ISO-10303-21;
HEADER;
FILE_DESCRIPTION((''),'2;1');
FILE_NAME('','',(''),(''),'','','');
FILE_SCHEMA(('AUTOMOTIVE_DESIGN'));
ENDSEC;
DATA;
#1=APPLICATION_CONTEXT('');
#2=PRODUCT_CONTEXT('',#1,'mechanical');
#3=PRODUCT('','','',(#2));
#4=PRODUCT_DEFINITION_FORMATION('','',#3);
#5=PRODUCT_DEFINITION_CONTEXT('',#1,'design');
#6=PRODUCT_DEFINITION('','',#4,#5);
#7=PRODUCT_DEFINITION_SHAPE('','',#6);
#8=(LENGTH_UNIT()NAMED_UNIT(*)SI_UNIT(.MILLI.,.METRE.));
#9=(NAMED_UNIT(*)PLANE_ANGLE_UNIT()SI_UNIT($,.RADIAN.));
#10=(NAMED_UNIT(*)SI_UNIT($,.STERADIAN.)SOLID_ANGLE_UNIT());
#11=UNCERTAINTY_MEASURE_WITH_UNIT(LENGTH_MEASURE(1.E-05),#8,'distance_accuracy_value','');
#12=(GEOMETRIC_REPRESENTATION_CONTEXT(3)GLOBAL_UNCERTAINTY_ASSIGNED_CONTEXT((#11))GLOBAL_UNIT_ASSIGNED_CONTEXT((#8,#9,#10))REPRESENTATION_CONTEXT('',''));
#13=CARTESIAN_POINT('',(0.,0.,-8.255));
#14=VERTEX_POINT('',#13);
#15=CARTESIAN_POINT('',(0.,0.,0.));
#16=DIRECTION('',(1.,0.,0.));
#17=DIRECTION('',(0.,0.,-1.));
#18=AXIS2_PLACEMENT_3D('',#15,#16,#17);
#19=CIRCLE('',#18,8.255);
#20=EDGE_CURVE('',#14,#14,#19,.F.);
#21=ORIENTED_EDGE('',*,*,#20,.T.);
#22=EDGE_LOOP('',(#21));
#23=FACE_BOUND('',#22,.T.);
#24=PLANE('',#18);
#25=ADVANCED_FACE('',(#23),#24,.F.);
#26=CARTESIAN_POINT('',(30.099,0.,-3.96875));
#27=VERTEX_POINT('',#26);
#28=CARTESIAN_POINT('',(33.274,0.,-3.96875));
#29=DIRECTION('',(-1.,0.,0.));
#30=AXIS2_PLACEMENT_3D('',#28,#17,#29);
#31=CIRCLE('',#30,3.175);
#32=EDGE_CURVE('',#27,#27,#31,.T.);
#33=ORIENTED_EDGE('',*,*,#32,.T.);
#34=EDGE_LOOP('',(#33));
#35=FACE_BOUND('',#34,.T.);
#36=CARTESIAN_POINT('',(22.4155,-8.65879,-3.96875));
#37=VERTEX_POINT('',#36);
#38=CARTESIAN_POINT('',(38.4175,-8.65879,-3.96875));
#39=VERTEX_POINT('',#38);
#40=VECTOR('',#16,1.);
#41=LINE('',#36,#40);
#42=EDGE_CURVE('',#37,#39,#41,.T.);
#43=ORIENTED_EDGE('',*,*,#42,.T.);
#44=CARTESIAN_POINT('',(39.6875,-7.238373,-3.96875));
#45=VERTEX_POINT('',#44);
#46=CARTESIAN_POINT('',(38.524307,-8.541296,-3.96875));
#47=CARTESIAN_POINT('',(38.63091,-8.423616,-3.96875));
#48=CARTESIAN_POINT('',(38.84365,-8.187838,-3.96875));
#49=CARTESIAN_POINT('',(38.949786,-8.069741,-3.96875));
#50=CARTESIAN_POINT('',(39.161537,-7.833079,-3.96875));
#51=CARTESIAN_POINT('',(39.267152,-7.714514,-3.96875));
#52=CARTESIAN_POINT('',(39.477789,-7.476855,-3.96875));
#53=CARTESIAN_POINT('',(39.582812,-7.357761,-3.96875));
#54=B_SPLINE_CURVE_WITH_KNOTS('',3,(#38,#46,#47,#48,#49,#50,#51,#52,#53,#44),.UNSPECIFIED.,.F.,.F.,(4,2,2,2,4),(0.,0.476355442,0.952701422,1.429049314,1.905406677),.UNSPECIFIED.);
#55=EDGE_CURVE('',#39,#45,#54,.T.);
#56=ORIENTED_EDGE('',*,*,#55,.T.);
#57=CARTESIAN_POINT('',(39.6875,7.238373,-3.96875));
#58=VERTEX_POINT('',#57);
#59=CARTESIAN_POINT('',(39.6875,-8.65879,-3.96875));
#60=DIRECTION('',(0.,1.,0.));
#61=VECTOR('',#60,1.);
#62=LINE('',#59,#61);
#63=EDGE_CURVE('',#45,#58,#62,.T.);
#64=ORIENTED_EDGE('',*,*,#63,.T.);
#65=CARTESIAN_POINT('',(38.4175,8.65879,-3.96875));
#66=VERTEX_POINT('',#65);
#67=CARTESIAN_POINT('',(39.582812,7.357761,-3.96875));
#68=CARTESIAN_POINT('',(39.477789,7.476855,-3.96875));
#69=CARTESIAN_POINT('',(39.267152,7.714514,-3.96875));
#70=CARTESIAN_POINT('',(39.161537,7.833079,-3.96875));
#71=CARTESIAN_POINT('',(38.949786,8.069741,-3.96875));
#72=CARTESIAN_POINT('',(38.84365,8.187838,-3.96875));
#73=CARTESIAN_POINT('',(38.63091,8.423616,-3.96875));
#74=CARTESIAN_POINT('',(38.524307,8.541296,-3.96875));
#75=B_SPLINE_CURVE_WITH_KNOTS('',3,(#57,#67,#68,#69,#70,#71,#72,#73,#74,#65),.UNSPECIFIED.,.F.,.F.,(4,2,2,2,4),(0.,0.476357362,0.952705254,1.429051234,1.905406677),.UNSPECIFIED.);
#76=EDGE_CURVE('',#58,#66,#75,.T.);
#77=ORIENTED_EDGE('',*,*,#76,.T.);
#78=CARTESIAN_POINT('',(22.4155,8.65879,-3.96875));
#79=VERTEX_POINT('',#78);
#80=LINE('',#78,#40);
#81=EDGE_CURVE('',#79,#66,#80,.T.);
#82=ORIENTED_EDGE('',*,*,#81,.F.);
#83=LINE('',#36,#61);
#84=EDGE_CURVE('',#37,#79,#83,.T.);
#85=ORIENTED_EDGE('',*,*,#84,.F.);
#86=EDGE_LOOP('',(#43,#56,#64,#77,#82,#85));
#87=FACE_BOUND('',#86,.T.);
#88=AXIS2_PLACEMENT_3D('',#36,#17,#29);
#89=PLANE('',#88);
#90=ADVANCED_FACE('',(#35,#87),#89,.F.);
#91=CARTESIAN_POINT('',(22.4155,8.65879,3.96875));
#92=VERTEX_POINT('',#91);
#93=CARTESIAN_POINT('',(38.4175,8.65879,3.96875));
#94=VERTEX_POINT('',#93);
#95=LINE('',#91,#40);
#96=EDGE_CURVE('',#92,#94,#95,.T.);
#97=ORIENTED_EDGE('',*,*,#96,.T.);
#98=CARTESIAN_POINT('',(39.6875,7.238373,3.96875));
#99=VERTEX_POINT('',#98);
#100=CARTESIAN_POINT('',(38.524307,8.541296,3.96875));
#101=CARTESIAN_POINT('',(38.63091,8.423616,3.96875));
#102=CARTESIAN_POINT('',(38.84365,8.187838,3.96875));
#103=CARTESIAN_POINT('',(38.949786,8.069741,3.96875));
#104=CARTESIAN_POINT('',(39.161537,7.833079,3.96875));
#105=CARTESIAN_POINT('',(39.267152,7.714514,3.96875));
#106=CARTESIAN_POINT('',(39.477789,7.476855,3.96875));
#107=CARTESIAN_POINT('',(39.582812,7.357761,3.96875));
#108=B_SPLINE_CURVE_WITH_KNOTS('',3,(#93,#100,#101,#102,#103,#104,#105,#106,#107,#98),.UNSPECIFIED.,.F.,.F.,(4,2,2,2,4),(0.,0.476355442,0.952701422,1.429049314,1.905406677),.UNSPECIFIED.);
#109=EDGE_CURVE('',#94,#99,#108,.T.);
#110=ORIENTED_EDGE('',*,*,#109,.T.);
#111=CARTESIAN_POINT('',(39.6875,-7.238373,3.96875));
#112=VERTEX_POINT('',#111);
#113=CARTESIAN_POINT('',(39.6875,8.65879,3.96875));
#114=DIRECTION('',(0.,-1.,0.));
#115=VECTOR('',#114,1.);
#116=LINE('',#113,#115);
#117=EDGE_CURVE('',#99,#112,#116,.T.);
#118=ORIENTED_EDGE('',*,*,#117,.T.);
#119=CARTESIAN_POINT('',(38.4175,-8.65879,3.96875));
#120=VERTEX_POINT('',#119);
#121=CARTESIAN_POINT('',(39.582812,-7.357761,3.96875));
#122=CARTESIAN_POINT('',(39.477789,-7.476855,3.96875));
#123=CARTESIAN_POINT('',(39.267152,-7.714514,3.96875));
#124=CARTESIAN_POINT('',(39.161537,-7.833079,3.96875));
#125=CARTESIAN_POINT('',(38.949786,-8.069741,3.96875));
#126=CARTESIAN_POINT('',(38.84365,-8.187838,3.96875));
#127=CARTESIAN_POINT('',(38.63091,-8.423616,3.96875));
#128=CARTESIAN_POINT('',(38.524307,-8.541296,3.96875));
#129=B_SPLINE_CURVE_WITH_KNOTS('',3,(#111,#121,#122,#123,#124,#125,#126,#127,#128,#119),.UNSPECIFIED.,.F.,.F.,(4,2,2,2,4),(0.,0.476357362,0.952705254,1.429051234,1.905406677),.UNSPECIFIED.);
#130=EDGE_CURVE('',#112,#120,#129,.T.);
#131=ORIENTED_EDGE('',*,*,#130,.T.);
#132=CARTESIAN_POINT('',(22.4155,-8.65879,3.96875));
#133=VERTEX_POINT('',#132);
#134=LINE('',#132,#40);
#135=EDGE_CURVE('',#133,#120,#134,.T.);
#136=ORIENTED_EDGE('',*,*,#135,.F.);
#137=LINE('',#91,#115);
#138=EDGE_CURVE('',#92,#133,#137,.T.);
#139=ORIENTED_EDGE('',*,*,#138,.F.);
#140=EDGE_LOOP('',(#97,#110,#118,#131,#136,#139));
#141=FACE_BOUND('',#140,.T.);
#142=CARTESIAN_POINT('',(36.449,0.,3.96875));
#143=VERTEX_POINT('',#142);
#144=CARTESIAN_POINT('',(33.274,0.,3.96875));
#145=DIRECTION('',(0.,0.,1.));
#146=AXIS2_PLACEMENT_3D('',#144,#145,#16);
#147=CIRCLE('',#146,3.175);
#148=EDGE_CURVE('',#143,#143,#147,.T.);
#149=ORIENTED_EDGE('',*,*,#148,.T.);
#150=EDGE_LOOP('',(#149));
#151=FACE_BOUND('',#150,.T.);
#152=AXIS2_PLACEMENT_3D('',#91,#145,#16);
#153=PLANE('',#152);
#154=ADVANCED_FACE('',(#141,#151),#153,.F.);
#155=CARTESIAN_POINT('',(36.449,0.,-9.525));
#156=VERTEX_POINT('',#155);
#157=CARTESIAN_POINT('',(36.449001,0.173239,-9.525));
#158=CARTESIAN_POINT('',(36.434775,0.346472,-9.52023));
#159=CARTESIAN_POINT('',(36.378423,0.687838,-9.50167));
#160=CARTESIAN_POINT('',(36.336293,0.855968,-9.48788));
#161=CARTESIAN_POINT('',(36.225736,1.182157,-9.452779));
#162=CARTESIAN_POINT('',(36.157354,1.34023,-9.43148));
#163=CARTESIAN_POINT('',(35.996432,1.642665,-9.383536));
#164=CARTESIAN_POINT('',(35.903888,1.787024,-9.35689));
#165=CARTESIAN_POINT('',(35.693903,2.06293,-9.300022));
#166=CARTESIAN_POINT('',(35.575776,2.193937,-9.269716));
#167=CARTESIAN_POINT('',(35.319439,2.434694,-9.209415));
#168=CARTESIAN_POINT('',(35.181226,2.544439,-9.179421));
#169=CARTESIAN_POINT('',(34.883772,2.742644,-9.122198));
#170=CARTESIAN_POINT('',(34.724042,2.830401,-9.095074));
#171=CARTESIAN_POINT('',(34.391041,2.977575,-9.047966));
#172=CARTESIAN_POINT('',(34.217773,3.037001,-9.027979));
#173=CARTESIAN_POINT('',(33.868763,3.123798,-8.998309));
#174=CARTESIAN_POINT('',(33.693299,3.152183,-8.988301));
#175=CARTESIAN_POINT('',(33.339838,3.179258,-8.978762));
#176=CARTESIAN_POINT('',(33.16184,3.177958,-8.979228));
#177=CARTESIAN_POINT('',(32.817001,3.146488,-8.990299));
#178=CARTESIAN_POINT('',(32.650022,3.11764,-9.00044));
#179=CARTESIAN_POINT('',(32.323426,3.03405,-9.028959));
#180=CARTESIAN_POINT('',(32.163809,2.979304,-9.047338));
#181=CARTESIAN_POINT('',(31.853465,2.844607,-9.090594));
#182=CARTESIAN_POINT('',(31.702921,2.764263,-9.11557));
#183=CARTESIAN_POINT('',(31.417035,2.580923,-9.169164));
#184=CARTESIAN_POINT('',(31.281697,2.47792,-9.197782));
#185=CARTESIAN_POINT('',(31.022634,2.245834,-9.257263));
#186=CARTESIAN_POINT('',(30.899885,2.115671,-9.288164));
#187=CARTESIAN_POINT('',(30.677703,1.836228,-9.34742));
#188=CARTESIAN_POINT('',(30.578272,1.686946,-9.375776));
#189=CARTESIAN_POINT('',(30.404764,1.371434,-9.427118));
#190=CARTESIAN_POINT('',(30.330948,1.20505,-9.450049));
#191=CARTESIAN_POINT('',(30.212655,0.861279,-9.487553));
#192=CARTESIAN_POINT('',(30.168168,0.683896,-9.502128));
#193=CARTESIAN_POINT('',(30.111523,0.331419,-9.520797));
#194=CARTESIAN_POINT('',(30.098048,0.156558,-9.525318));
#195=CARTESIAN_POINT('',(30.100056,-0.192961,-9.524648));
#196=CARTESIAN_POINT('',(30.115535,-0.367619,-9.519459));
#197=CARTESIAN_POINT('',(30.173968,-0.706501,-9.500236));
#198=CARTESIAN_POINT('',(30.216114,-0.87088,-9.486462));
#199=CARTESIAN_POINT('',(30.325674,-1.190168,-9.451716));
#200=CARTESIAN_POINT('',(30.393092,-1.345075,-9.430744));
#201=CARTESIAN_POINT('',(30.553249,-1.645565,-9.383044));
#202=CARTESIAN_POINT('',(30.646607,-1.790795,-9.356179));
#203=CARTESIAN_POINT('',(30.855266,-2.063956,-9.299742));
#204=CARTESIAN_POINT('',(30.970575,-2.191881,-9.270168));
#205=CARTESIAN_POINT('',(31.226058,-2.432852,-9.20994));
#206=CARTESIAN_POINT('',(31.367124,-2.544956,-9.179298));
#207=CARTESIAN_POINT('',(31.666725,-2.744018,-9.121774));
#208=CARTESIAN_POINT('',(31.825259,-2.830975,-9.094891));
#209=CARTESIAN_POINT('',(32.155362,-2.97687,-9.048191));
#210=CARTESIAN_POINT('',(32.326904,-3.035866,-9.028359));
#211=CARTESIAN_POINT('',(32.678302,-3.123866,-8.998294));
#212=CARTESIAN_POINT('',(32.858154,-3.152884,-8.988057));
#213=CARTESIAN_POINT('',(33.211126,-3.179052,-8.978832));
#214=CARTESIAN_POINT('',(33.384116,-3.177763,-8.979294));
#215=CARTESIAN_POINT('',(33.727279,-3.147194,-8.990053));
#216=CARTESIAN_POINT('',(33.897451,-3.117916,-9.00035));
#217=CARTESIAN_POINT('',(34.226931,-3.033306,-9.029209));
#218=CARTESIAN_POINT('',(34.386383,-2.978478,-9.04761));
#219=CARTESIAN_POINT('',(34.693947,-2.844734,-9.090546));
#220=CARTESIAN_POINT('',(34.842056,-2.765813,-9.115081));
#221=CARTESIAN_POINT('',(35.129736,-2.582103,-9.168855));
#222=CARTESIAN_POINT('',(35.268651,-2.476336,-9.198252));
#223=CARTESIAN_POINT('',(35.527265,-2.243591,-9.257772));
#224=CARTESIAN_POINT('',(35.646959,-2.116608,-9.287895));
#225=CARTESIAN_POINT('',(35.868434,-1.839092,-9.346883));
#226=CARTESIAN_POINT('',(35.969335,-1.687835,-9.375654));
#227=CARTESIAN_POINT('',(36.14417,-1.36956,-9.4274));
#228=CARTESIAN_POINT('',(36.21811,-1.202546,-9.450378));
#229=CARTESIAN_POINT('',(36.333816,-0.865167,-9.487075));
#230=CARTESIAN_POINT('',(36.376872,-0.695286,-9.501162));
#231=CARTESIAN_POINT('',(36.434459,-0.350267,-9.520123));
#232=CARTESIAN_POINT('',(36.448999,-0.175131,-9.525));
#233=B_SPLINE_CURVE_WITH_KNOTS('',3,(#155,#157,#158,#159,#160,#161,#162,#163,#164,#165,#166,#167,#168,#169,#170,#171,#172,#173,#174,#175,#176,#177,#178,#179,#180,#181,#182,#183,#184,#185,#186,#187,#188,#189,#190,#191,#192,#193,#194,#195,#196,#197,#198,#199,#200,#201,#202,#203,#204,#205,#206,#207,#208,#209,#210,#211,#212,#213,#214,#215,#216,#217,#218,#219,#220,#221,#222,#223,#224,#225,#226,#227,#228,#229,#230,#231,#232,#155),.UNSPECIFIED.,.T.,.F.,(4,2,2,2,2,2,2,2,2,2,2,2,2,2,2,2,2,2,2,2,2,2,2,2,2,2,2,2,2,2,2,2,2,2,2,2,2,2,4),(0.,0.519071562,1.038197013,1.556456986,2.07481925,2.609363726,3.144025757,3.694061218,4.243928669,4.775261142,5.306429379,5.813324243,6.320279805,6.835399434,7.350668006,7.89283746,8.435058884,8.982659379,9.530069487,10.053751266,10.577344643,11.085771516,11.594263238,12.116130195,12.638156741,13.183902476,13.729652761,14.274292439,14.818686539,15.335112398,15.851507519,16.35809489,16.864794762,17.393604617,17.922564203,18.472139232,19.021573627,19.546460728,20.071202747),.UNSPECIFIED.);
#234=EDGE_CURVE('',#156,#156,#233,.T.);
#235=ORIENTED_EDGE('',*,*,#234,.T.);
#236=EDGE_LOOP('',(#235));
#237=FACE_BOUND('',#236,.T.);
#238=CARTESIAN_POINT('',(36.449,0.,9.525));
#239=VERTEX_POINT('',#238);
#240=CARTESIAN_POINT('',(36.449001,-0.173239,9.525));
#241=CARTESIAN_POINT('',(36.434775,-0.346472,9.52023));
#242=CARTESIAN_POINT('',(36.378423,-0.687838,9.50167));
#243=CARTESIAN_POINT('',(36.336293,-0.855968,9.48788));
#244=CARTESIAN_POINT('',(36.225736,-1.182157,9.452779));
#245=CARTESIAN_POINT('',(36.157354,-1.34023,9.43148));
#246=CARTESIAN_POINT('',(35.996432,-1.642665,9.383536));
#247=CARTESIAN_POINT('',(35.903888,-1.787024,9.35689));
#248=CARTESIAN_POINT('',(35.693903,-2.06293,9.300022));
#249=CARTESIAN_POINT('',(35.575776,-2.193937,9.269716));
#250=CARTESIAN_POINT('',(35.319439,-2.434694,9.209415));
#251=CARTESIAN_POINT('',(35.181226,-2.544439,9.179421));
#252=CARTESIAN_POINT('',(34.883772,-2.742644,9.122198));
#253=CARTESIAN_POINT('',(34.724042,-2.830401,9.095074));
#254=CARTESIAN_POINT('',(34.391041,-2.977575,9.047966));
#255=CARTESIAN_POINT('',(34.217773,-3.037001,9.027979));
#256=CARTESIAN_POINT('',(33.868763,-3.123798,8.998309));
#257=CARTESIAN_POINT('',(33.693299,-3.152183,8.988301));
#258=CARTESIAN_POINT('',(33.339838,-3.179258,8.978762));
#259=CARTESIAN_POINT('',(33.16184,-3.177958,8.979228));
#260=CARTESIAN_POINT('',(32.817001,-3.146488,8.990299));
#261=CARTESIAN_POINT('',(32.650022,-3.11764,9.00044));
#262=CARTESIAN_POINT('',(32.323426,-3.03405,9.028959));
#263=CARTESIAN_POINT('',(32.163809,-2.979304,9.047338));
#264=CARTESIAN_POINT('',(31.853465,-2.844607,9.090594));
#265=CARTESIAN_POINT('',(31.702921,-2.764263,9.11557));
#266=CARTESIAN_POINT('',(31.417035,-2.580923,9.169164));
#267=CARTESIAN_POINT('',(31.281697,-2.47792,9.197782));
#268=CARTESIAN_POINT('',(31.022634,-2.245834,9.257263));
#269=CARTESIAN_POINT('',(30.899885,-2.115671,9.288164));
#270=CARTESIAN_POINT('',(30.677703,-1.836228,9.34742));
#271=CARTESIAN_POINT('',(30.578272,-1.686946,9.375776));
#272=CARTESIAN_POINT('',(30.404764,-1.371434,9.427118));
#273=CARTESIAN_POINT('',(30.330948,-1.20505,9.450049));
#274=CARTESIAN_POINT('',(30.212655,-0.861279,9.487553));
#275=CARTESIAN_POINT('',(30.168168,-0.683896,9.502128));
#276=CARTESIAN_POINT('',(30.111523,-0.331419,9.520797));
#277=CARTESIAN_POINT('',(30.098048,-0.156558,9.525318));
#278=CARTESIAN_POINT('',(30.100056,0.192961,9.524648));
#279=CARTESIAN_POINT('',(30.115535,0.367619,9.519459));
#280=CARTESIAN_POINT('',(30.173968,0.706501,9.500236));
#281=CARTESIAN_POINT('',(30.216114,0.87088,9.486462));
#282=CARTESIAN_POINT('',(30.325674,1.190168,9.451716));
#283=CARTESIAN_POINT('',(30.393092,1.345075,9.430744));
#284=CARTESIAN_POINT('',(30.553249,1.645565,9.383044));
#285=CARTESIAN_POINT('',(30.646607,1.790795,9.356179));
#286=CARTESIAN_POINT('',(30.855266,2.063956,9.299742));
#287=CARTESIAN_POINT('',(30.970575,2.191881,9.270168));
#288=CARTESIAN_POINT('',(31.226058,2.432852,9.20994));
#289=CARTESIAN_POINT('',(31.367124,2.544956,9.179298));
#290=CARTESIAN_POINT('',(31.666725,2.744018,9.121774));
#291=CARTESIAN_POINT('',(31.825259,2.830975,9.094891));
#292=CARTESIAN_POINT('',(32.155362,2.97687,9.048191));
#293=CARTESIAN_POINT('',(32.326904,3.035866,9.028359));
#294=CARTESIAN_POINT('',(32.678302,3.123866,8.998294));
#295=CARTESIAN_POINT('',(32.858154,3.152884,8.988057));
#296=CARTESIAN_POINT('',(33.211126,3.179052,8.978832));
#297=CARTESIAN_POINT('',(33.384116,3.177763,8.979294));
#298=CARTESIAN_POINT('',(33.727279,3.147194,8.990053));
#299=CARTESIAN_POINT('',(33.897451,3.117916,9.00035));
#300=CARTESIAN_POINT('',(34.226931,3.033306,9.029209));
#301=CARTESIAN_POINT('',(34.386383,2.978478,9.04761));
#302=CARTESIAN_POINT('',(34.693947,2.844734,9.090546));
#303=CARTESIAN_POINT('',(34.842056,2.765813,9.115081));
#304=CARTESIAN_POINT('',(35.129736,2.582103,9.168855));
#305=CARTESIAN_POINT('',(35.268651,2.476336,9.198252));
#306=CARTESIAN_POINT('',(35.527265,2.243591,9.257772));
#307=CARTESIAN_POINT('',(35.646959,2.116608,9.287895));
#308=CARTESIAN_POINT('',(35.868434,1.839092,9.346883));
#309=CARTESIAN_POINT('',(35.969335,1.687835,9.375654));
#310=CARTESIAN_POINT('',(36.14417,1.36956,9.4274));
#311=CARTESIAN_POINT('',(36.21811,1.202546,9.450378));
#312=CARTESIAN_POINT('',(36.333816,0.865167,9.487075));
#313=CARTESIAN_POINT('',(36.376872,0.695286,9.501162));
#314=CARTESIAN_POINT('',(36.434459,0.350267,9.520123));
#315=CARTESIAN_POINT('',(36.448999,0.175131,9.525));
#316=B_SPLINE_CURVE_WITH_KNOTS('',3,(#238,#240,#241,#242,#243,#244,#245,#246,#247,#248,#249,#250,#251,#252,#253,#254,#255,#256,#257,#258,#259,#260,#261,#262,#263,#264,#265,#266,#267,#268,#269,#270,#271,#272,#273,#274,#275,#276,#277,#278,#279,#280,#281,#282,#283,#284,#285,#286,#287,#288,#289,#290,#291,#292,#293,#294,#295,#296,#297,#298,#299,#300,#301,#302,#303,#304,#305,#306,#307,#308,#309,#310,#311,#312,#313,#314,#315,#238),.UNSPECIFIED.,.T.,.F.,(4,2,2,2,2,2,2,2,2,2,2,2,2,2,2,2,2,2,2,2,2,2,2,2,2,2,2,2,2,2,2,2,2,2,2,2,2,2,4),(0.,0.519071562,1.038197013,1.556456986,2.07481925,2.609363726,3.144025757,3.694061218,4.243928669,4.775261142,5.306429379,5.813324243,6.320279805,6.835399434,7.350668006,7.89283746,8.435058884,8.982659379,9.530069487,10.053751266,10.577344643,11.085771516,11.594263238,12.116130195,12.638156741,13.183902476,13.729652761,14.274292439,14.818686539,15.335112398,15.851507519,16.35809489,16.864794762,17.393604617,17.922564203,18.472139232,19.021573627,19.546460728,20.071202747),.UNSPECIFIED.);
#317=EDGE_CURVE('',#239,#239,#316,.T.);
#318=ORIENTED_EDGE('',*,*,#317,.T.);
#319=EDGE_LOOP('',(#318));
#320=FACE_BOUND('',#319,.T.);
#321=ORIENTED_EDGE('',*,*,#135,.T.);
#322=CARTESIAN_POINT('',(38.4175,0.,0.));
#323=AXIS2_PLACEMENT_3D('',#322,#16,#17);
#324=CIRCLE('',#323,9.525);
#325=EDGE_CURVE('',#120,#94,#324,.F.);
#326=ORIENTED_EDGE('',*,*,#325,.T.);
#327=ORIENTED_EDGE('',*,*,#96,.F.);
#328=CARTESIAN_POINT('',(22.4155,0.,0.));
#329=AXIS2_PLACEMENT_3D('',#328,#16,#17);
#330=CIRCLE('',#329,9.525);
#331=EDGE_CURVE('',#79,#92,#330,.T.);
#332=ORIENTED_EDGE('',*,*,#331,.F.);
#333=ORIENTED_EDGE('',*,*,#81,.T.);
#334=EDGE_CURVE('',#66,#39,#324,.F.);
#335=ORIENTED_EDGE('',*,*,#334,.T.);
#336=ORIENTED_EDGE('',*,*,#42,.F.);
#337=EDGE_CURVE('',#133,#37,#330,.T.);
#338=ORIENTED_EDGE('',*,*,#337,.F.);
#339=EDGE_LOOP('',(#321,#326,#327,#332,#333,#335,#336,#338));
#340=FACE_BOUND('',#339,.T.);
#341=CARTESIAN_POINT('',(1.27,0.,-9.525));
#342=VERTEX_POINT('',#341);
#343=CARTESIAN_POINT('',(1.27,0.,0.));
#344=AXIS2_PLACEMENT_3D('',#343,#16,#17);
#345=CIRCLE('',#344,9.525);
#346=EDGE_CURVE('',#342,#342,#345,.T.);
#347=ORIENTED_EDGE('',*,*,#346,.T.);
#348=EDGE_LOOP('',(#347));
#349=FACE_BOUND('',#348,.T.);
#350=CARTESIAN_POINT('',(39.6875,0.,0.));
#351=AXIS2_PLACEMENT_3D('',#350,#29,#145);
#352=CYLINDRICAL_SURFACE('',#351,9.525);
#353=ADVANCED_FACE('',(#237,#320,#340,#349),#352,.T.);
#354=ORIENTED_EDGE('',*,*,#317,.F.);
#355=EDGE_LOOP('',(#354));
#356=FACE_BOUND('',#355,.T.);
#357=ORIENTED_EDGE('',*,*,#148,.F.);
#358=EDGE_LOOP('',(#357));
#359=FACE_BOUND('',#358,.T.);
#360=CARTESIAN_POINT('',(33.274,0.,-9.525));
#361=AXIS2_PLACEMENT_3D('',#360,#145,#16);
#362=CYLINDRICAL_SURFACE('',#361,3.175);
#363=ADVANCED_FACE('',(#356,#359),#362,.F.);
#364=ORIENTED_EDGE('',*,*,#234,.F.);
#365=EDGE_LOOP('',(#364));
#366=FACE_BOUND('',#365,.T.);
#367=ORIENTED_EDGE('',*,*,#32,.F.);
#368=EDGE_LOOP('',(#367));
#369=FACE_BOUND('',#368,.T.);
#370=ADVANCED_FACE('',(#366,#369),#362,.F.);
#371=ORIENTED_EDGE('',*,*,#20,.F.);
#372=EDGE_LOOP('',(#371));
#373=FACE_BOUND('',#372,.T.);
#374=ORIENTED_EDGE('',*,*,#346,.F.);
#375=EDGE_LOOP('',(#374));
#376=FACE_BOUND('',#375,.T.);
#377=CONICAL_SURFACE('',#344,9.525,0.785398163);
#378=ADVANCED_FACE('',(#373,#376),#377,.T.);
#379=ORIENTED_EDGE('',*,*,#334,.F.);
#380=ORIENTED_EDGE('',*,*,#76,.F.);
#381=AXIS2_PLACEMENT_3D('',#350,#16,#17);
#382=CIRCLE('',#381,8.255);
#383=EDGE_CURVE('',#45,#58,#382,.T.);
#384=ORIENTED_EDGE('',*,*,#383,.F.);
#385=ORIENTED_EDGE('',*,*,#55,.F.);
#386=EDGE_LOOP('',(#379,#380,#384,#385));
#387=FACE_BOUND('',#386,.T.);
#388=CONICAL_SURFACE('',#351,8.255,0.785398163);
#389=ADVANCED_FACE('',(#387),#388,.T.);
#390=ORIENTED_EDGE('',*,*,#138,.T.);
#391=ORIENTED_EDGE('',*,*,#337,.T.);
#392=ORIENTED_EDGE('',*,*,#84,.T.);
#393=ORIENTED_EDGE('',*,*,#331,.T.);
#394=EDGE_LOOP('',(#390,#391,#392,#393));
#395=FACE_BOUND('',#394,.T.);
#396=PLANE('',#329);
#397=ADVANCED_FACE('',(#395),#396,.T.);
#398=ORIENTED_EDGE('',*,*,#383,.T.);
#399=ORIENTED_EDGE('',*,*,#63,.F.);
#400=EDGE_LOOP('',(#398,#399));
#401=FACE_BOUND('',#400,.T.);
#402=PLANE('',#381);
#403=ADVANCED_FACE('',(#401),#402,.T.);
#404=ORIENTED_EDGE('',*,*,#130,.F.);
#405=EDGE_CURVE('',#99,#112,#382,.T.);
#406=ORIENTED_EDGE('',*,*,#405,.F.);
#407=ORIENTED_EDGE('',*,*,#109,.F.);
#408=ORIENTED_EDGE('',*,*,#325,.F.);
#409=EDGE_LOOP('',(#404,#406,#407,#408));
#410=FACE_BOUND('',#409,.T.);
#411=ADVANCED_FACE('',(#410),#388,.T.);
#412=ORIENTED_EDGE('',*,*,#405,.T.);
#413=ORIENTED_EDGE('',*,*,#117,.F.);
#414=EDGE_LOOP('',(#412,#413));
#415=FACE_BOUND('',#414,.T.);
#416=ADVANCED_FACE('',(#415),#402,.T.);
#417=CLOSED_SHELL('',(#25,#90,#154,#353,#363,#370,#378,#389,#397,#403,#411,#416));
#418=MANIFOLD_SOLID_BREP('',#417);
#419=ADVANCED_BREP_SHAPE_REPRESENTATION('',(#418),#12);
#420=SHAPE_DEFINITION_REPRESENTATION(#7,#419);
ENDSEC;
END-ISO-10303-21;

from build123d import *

# Parameters (mm, degrees)
SKETCH1_R               = 9.525
BASE_EXTRUDE_DEPTH      = 39.6875
CUT_EXTRUDE1_START      = -17.272
CUT_EXTRUDE1_DEPTH      = 17.272
CUT_EXTRUDE2_DEPTH      = 42.911202634
CUT_EXTRUDE2_DEPTH_BACK = 42.911202634
SKETCH3_R               = 3.175
CHAMFER1_SIZE           = 1.27


with BuildPart() as part:
    # Sketch1 → Base-Extrude (new body)
    with BuildSketch(Plane(origin=(0, 0, 0), x_dir=(0, 0, -1), z_dir=(1, 0, 0))):
        with Locations(Location((0, 0, 0), (0, 0, 180))):
            Circle(SKETCH1_R)
    extrude(amount=BASE_EXTRUDE_DEPTH)

    # Sketch2 → Cut-Extrude1 (cut)
    with BuildSketch(Plane(origin=(39.6875, 0, 0), x_dir=(0, 0, -1), z_dir=(1, 0, 0)).offset(CUT_EXTRUDE1_START)):
        with BuildLine():
            Line((-3.96875, 8.658790241), (-3.96875, -8.658790241))
            ThreePointArc((-3.96875, -8.658790241), (0, -9.525), (3.96875, -8.658790241))
            Line((3.96875, -8.658790241), (3.96875, 8.658790241))
            ThreePointArc((3.96875, 8.658790241), (0, 9.525), (-3.96875, 8.658790241))
        make_face()
    extrude(amount=CUT_EXTRUDE1_DEPTH, mode=Mode.SUBTRACT)

    # Sketch3 → Cut-Extrude2 (cut, two sides: drawn at the far end of the back side and taken through both)
    with BuildSketch(Plane.XY.offset(-CUT_EXTRUDE2_DEPTH_BACK)):
        with Locations((33.274, 0)):
            Circle(SKETCH3_R)
    extrude(amount=CUT_EXTRUDE2_DEPTH + CUT_EXTRUDE2_DEPTH_BACK, mode=Mode.SUBTRACT)

    # Chamfer1
    chamfer1_edges = [part.edges().sort_by_distance(p)[0] for p in [
        (0, 0, -9.525),
        (39.6875, -5.144087929, 8.016482045),
        (39.6875, 0, -9.525),
    ]]
    chamfer(chamfer1_edges, length=CHAMFER1_SIZE)


solid = part.part
